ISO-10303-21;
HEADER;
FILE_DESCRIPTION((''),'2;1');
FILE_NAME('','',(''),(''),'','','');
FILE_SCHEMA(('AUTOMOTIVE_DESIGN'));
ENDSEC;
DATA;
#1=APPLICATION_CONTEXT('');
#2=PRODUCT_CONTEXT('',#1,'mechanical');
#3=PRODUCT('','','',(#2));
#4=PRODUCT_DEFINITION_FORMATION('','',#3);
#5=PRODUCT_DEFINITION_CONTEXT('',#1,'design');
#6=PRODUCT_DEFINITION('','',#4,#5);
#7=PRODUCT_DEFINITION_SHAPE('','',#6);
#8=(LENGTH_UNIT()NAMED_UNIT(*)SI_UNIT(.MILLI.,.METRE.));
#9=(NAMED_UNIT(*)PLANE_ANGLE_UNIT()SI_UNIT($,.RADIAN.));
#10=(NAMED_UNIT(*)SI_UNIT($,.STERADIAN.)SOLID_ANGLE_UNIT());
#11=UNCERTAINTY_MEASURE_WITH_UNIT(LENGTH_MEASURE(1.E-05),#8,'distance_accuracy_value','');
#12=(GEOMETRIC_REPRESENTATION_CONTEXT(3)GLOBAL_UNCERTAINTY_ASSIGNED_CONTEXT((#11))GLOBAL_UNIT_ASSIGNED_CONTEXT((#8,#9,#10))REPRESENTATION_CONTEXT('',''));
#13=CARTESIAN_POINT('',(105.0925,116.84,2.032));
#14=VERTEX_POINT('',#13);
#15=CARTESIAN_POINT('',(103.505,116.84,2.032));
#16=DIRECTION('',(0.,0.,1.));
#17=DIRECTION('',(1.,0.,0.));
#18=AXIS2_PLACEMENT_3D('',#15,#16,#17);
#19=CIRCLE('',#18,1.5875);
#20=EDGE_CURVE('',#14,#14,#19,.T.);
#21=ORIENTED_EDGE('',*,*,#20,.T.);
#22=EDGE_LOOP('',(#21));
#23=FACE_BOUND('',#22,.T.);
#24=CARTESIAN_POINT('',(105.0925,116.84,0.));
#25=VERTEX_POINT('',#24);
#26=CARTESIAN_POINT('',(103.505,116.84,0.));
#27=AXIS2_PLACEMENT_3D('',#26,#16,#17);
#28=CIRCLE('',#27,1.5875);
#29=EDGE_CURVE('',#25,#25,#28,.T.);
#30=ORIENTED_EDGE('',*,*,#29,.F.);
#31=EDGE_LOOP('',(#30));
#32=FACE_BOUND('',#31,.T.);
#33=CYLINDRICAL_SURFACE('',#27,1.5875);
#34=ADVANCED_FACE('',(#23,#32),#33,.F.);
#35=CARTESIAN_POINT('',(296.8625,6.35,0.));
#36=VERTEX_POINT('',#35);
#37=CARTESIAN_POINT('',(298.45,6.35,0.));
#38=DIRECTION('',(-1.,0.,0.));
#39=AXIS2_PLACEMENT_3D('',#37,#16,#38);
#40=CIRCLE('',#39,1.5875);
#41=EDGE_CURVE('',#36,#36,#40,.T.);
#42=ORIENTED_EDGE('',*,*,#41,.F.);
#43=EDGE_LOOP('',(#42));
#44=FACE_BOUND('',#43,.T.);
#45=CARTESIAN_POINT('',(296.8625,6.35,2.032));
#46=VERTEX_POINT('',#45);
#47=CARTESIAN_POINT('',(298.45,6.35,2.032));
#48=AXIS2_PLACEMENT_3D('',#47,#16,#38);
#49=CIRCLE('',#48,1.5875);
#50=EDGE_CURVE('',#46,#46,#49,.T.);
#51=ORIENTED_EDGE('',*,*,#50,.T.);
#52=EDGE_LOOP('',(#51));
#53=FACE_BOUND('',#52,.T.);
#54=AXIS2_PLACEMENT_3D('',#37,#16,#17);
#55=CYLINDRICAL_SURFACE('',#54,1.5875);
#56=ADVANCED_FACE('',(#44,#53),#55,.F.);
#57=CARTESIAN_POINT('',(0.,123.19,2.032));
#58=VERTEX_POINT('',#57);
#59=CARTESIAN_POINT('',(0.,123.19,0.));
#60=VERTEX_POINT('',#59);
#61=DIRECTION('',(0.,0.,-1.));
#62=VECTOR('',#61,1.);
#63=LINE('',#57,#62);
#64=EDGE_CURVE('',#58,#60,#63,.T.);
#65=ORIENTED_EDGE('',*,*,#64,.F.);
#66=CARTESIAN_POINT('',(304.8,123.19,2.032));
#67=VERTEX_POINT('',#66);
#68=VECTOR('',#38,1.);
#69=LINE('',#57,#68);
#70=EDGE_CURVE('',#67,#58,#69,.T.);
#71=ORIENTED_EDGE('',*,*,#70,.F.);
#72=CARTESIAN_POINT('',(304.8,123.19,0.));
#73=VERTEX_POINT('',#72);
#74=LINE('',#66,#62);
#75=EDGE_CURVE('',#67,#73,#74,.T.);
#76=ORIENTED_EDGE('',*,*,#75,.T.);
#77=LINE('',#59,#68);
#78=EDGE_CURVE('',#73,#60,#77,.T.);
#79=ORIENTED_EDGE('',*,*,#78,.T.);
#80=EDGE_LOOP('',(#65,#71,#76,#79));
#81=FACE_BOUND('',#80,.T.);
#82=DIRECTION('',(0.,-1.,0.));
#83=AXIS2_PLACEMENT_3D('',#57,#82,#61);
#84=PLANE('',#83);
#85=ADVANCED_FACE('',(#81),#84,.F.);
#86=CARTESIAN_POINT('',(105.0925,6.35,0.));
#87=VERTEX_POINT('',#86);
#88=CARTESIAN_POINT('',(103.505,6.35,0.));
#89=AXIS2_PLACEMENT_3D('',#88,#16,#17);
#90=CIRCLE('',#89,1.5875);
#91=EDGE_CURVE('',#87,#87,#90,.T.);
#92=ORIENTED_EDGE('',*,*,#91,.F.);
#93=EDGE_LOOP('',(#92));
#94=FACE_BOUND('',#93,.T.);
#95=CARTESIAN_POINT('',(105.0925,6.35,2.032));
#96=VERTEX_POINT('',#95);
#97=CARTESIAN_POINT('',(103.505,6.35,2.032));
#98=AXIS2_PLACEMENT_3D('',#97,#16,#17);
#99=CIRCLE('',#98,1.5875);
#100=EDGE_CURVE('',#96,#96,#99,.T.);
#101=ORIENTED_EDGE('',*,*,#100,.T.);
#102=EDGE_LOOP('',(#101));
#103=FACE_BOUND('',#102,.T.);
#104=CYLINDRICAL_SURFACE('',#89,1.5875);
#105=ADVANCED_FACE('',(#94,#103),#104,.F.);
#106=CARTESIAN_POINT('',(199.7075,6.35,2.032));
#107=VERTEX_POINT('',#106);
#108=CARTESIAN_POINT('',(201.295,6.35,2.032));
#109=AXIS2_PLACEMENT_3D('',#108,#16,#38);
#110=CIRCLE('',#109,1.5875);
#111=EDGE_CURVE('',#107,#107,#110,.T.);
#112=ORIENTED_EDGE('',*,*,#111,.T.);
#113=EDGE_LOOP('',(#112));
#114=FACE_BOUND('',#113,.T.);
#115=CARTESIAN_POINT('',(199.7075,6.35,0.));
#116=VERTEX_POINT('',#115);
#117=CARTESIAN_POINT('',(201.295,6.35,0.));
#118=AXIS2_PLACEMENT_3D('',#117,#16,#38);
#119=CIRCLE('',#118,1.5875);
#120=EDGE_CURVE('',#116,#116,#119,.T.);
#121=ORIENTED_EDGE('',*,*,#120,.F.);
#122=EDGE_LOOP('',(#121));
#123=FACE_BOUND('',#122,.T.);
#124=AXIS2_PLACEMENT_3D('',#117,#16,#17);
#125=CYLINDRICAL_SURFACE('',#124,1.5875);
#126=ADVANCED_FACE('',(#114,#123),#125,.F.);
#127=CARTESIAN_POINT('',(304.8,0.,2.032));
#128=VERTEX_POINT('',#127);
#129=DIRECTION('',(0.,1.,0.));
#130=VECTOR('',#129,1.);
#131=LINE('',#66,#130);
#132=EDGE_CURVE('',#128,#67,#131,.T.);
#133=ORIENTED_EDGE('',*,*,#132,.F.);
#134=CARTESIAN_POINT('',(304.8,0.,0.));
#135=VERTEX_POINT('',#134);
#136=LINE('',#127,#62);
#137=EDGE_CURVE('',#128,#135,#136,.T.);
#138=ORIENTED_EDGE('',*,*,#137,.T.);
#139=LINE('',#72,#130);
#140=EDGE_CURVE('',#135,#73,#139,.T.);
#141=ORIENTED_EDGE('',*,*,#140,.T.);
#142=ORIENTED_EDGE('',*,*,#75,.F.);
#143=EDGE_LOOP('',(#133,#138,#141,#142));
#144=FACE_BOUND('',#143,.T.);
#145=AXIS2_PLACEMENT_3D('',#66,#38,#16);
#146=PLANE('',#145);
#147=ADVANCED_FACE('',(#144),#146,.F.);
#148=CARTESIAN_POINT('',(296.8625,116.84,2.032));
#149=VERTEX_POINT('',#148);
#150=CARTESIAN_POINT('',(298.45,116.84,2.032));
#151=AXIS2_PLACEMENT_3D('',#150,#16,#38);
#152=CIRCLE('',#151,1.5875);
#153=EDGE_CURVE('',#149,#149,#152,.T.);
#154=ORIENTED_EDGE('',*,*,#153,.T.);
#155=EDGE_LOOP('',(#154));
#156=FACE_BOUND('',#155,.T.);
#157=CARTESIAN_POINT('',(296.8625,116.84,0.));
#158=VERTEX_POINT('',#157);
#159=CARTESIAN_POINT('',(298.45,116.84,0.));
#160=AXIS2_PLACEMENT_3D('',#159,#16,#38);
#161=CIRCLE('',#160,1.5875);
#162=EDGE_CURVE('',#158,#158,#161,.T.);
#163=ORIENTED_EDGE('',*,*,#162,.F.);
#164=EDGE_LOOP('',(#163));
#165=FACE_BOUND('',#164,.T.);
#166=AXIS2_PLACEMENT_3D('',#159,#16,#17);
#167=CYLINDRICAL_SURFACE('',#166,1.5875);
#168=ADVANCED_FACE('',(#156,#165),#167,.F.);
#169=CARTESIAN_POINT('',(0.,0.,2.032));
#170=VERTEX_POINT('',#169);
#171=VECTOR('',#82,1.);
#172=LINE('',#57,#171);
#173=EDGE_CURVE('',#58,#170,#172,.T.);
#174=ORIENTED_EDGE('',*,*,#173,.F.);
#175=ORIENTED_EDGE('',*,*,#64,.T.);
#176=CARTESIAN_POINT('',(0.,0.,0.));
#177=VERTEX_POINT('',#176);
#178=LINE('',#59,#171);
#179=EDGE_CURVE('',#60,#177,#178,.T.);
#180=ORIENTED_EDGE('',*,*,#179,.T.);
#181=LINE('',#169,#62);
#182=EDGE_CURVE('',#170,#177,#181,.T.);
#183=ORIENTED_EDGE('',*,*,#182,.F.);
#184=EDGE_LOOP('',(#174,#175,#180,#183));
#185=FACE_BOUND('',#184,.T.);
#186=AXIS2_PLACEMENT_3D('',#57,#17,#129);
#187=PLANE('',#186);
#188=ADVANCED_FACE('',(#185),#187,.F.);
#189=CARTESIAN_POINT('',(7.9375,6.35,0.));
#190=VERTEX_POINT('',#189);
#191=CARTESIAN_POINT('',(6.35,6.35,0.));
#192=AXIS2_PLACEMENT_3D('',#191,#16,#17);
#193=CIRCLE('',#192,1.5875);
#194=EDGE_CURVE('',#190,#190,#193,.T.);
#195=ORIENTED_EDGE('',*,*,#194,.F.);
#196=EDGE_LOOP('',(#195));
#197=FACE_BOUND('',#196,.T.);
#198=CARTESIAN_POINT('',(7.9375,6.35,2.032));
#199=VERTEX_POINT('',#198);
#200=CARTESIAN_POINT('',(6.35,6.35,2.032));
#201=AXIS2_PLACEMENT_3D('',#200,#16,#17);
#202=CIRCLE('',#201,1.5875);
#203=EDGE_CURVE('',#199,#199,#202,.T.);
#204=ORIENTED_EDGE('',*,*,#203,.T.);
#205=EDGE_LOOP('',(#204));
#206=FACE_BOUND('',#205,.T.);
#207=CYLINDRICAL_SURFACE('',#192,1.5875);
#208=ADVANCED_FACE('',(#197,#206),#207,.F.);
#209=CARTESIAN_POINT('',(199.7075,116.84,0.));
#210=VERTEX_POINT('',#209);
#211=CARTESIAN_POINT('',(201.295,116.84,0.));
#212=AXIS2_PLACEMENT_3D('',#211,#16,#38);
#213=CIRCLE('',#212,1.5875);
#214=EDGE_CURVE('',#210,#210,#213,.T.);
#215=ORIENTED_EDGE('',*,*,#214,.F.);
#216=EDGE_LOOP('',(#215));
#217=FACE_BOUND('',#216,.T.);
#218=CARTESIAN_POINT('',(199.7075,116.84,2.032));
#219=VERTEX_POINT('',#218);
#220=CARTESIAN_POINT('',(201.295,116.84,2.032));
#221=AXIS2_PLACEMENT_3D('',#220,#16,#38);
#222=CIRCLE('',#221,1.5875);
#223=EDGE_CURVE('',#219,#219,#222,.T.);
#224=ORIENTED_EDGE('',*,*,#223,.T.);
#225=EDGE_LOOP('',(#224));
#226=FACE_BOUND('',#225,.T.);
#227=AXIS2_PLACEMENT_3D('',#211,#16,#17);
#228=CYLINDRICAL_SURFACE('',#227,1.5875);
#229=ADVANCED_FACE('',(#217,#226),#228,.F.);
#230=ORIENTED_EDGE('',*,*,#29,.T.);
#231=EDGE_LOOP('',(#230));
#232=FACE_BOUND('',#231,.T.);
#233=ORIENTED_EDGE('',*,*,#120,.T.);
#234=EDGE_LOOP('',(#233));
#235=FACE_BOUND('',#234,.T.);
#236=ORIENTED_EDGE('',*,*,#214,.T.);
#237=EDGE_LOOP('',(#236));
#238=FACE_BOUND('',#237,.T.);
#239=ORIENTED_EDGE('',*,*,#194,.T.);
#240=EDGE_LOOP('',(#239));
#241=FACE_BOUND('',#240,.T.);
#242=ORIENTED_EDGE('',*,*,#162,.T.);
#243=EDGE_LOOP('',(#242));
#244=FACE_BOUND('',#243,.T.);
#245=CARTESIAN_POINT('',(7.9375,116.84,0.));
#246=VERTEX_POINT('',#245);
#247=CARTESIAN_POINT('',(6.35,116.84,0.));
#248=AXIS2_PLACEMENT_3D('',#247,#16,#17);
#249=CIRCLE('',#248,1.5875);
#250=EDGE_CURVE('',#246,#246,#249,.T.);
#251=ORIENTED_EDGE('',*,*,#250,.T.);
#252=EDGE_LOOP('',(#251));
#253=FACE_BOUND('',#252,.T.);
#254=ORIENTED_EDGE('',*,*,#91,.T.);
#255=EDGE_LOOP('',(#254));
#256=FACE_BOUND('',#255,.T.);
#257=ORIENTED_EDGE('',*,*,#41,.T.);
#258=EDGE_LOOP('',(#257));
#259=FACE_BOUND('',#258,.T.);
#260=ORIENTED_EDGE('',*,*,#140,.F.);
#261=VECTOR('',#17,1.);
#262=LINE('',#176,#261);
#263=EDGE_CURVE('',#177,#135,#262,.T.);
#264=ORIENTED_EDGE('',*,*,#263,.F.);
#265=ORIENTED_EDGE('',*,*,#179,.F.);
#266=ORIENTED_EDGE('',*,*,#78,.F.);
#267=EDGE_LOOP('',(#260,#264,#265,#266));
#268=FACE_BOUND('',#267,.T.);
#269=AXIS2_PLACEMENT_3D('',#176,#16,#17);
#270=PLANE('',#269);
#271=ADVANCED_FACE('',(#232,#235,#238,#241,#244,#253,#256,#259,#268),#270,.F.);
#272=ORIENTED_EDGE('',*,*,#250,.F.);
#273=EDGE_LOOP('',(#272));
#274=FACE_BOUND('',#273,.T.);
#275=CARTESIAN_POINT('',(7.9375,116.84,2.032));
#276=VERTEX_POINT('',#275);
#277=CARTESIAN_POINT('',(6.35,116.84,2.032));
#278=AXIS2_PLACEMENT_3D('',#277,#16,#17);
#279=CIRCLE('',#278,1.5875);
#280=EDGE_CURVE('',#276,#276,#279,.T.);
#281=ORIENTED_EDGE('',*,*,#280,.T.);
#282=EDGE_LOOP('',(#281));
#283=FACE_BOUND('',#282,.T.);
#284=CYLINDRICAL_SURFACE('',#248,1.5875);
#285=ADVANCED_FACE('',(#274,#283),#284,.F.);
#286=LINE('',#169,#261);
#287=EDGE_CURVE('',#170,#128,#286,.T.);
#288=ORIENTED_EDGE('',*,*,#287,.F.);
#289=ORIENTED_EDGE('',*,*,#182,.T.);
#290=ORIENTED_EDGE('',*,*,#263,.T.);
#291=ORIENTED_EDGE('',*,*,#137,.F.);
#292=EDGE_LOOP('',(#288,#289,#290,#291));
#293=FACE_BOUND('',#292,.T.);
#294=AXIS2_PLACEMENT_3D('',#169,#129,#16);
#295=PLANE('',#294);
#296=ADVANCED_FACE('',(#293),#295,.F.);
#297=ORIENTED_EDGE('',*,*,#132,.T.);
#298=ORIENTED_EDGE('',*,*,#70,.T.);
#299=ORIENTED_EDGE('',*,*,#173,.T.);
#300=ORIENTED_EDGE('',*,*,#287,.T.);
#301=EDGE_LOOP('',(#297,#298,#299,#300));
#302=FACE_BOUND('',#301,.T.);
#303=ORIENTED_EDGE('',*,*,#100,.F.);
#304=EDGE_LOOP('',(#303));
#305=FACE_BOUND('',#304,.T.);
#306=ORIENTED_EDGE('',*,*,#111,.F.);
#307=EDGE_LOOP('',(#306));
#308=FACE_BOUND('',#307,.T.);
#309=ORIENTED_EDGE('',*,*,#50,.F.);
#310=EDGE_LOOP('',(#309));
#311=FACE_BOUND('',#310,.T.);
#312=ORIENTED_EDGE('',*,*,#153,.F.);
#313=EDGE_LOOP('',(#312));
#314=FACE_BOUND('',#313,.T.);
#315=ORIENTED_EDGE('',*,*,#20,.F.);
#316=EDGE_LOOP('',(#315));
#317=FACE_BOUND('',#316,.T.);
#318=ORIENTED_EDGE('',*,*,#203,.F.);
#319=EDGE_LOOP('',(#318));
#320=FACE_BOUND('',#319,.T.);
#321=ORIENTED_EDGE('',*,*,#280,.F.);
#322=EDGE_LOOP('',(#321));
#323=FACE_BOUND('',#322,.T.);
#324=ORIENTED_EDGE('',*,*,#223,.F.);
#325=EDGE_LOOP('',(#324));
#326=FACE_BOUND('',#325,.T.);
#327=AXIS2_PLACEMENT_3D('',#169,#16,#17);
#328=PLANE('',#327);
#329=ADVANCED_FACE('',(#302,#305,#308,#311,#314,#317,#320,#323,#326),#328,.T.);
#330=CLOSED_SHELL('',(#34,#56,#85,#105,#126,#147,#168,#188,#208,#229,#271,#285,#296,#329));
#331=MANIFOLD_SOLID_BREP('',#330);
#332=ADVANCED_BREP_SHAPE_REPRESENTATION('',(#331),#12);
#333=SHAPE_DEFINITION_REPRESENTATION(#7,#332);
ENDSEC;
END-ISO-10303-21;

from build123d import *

# Parameters (mm, degrees)
SKETCH1_W          = 304.8
SKETCH1_H          = 123.19
EXTRUDE1_DEPTH     = 2.032
SKETCH2_R          = 1.5875
CUT_EXTRUDE1_DEPTH = 329.75970727


with BuildPart() as part:
    # Sketch1 → Extrude1 (new body)
    with BuildSketch(Plane.XY):
        with Locations((152.4, 61.595)):
            Rectangle(SKETCH1_W, SKETCH1_H)
    extrude(amount=EXTRUDE1_DEPTH)

    # Sketch2 → Cut-Extrude1 (cut, through all)
    with BuildSketch(Plane.XY.offset(2.032)):
        with Locations((6.35, 116.84)):
            Circle(SKETCH2_R)
        with Locations((6.35, 6.35)):
            Circle(SKETCH2_R)
        with Locations((103.505, 6.35)):
            Circle(SKETCH2_R)
        with Locations((103.505, 116.84)):
            Circle(SKETCH2_R)
        with Locations(Location((201.295, 116.84, 0), (0, 0, 180))):
            Circle(SKETCH2_R)
        with Locations(Location((201.295, 6.35, 0), (0, 0, 180))):
            Circle(SKETCH2_R)
        with Locations(Location((298.45, 6.35, 0), (0, 0, 180))):
            Circle(SKETCH2_R)
        with Locations(Location((298.45, 116.84, 0), (0, 0, 180))):
            Circle(SKETCH2_R)
    extrude(amount=-CUT_EXTRUDE1_DEPTH, mode=Mode.SUBTRACT)


solid = part.part
